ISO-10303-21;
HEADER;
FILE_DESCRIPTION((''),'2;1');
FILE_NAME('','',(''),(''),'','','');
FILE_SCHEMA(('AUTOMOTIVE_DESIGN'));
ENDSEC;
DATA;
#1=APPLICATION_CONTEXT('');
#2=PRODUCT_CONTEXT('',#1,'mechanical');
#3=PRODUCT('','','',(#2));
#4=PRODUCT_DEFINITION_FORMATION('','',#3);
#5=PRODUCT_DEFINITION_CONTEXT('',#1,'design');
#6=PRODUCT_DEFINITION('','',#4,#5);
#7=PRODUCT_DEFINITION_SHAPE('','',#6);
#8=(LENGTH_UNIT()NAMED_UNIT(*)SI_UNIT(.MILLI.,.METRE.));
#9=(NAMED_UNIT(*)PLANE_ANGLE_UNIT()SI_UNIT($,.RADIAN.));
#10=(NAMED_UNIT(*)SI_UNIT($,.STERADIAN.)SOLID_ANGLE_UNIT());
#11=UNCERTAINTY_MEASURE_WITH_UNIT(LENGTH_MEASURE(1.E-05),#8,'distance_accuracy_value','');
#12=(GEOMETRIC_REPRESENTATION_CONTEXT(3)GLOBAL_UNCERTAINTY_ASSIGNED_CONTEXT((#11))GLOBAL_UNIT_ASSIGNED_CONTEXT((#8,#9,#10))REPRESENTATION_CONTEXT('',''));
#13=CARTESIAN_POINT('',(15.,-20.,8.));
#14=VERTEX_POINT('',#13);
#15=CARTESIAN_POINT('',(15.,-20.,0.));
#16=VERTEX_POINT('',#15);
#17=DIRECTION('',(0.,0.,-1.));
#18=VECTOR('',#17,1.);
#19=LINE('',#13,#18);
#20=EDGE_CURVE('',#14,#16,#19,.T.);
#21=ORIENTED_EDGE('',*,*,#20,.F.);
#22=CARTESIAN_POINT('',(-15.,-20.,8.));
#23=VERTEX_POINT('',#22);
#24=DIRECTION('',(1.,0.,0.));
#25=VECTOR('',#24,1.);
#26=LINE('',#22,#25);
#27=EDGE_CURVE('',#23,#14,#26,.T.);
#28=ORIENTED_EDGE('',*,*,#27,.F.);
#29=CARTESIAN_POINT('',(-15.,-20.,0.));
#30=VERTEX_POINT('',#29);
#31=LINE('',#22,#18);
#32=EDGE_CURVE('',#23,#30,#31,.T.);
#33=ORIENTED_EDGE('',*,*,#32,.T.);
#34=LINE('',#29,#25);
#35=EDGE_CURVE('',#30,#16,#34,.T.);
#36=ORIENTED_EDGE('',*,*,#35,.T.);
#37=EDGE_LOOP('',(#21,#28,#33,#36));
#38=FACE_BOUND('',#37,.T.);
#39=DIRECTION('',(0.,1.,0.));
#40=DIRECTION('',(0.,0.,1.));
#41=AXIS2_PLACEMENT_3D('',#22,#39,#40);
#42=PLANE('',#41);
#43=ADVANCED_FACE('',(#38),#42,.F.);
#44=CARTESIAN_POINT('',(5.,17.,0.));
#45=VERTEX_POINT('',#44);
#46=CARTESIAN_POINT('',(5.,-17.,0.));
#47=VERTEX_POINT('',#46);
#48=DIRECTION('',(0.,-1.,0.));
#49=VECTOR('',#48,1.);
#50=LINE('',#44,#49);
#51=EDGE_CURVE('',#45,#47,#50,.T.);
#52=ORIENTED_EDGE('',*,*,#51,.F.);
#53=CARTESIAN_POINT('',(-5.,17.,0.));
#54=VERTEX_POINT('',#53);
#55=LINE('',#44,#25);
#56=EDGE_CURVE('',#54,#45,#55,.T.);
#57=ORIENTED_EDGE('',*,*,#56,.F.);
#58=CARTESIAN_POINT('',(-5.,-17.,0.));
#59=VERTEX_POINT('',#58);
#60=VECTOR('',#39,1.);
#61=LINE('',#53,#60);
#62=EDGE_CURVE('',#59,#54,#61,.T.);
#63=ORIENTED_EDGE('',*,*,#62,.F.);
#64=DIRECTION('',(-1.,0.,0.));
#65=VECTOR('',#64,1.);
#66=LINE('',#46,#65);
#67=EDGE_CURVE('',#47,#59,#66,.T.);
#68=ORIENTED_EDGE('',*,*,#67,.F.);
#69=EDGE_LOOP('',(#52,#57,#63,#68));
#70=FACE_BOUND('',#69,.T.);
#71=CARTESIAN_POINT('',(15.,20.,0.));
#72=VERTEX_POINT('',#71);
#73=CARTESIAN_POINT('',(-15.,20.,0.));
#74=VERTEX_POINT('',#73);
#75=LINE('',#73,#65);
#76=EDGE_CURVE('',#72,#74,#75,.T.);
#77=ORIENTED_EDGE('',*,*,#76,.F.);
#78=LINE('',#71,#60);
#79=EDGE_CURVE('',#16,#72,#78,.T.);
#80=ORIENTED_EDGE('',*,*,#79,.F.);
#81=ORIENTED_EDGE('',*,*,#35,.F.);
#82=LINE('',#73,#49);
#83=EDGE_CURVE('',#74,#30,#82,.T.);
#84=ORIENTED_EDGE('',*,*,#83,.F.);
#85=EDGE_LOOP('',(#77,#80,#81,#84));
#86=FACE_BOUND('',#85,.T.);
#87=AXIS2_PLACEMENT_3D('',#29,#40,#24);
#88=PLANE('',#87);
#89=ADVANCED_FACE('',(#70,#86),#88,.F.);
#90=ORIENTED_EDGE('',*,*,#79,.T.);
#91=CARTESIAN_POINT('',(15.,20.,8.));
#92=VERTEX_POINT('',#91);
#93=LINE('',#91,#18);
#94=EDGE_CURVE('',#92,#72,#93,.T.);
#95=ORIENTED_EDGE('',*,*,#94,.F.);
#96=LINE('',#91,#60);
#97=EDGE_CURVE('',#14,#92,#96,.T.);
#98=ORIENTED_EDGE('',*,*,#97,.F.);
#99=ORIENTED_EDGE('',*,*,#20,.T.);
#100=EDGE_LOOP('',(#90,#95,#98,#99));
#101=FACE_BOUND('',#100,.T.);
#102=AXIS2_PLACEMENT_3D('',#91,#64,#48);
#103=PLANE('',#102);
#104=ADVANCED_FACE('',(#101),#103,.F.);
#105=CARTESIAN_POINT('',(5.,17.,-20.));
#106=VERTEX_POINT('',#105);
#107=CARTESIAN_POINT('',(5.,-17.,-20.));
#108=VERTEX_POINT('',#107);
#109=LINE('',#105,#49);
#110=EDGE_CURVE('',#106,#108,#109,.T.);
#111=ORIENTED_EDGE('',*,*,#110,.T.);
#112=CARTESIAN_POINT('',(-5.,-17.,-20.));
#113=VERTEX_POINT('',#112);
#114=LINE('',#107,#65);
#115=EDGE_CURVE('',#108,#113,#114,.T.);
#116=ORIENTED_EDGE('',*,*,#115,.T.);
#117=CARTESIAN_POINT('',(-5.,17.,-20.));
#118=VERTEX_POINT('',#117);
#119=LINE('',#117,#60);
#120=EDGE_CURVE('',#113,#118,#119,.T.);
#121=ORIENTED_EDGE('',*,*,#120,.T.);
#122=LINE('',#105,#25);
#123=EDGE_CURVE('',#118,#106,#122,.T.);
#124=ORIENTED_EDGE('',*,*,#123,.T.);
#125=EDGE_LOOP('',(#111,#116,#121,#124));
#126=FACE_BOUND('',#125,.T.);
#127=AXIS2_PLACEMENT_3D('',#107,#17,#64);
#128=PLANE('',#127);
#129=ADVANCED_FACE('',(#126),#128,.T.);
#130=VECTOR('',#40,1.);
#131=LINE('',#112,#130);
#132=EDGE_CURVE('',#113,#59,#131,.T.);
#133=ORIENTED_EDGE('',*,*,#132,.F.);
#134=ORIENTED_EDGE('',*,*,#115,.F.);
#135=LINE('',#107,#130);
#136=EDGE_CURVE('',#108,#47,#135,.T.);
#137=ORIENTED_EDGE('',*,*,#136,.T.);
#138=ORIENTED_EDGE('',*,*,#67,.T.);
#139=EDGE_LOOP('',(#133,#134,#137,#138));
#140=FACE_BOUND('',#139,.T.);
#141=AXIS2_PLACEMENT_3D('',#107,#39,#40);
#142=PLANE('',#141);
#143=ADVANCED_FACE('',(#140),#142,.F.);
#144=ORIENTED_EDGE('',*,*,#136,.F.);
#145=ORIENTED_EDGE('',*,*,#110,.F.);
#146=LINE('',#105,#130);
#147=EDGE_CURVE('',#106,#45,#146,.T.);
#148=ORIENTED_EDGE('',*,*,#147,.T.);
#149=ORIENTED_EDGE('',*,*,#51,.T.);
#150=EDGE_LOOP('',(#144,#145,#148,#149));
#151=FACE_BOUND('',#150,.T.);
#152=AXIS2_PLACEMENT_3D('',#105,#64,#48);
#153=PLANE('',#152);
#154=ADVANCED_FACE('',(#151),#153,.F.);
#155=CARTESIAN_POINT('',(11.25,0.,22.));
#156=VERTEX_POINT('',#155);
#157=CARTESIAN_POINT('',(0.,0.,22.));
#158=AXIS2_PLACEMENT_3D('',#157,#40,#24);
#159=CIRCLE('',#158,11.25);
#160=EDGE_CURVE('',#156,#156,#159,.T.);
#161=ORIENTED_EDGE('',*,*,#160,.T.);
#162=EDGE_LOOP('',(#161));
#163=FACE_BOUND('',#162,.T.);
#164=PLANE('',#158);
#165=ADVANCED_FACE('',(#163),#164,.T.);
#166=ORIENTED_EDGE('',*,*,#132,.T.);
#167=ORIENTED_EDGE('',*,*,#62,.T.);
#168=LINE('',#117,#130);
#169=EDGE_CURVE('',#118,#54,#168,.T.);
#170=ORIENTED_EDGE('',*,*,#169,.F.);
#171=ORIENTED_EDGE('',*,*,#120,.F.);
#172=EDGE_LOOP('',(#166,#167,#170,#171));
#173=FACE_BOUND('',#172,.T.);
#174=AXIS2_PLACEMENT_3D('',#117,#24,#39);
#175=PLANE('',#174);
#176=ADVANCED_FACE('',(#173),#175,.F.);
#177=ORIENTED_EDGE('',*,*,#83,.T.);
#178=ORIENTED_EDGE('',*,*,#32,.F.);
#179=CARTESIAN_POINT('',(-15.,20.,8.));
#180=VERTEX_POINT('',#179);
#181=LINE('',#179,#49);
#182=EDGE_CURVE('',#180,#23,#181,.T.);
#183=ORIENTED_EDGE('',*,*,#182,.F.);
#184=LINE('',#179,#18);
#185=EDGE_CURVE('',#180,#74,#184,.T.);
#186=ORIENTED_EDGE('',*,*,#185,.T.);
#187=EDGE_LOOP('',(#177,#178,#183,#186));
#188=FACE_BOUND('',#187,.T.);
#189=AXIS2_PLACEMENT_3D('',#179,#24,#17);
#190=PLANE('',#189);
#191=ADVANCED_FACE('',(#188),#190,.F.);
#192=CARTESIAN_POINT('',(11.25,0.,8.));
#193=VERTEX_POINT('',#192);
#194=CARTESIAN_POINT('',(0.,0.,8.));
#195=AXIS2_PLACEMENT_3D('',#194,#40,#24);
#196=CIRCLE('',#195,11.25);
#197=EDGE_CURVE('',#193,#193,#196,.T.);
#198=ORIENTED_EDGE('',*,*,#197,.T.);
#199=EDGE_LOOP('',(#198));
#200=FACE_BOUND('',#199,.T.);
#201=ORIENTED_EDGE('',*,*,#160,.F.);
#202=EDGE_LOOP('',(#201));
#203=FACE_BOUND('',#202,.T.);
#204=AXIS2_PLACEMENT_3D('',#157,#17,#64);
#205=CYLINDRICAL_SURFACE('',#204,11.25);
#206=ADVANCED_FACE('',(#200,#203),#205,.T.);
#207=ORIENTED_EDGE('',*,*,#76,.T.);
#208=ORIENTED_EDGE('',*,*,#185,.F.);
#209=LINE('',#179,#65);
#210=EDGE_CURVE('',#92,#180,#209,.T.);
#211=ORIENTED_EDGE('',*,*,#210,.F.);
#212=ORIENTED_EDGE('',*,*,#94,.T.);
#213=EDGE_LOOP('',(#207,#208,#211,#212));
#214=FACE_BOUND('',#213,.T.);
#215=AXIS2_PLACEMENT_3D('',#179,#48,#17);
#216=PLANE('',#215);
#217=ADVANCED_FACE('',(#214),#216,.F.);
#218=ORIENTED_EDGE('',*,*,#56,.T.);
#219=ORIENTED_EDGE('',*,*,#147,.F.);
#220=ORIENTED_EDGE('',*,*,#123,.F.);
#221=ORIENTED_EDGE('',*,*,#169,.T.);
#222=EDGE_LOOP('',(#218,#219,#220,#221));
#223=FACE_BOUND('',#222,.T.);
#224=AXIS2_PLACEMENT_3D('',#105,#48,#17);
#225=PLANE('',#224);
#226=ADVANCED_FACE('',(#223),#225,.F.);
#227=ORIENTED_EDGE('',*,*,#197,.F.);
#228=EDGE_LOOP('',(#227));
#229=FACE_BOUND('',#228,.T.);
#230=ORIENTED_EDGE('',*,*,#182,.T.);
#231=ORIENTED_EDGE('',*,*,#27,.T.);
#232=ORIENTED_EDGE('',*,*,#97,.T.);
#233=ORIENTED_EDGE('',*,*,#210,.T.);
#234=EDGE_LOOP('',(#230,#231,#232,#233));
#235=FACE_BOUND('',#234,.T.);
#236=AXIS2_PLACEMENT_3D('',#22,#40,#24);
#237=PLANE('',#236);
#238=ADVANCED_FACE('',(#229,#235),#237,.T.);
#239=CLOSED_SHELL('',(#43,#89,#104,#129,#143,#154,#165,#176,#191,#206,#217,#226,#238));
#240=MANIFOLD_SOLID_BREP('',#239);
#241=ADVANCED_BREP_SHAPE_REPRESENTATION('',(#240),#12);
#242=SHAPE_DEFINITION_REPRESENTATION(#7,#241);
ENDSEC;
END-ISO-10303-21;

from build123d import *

# Parameters (mm, degrees)
ESQUISSE1_W          = 30
ESQUISSE1_H          = 40
BASE_EXTRUSION_DEPTH = 8
ESQUISSE2_W          = 10
ESQUISSE2_H          = 34
BOSS_EXTRU_1_DEPTH   = 20
ESQUISSE3_R          = 11.25
BOSS_EXTRU_2_DEPTH   = 14


with BuildPart() as part:
    # Esquisse1 → Base-Extrusion (new body)
    with BuildSketch(Plane.XY):
        Rectangle(ESQUISSE1_W, ESQUISSE1_H)
    extrude(amount=BASE_EXTRUSION_DEPTH)

    # Esquisse2 → Boss.-Extru.1 (add)
    with BuildSketch(Plane(origin=(0, 0, 0), x_dir=(-1, 0, 0), z_dir=(0, 0, -1))):
        Rectangle(ESQUISSE2_W, ESQUISSE2_H)
    extrude(amount=BOSS_EXTRU_1_DEPTH)

    # Esquisse3 → Boss.-Extru.2 (add)
    with BuildSketch(Plane.XY.offset(8)):
        Circle(ESQUISSE3_R)
    extrude(amount=BOSS_EXTRU_2_DEPTH)


solid = part.part
